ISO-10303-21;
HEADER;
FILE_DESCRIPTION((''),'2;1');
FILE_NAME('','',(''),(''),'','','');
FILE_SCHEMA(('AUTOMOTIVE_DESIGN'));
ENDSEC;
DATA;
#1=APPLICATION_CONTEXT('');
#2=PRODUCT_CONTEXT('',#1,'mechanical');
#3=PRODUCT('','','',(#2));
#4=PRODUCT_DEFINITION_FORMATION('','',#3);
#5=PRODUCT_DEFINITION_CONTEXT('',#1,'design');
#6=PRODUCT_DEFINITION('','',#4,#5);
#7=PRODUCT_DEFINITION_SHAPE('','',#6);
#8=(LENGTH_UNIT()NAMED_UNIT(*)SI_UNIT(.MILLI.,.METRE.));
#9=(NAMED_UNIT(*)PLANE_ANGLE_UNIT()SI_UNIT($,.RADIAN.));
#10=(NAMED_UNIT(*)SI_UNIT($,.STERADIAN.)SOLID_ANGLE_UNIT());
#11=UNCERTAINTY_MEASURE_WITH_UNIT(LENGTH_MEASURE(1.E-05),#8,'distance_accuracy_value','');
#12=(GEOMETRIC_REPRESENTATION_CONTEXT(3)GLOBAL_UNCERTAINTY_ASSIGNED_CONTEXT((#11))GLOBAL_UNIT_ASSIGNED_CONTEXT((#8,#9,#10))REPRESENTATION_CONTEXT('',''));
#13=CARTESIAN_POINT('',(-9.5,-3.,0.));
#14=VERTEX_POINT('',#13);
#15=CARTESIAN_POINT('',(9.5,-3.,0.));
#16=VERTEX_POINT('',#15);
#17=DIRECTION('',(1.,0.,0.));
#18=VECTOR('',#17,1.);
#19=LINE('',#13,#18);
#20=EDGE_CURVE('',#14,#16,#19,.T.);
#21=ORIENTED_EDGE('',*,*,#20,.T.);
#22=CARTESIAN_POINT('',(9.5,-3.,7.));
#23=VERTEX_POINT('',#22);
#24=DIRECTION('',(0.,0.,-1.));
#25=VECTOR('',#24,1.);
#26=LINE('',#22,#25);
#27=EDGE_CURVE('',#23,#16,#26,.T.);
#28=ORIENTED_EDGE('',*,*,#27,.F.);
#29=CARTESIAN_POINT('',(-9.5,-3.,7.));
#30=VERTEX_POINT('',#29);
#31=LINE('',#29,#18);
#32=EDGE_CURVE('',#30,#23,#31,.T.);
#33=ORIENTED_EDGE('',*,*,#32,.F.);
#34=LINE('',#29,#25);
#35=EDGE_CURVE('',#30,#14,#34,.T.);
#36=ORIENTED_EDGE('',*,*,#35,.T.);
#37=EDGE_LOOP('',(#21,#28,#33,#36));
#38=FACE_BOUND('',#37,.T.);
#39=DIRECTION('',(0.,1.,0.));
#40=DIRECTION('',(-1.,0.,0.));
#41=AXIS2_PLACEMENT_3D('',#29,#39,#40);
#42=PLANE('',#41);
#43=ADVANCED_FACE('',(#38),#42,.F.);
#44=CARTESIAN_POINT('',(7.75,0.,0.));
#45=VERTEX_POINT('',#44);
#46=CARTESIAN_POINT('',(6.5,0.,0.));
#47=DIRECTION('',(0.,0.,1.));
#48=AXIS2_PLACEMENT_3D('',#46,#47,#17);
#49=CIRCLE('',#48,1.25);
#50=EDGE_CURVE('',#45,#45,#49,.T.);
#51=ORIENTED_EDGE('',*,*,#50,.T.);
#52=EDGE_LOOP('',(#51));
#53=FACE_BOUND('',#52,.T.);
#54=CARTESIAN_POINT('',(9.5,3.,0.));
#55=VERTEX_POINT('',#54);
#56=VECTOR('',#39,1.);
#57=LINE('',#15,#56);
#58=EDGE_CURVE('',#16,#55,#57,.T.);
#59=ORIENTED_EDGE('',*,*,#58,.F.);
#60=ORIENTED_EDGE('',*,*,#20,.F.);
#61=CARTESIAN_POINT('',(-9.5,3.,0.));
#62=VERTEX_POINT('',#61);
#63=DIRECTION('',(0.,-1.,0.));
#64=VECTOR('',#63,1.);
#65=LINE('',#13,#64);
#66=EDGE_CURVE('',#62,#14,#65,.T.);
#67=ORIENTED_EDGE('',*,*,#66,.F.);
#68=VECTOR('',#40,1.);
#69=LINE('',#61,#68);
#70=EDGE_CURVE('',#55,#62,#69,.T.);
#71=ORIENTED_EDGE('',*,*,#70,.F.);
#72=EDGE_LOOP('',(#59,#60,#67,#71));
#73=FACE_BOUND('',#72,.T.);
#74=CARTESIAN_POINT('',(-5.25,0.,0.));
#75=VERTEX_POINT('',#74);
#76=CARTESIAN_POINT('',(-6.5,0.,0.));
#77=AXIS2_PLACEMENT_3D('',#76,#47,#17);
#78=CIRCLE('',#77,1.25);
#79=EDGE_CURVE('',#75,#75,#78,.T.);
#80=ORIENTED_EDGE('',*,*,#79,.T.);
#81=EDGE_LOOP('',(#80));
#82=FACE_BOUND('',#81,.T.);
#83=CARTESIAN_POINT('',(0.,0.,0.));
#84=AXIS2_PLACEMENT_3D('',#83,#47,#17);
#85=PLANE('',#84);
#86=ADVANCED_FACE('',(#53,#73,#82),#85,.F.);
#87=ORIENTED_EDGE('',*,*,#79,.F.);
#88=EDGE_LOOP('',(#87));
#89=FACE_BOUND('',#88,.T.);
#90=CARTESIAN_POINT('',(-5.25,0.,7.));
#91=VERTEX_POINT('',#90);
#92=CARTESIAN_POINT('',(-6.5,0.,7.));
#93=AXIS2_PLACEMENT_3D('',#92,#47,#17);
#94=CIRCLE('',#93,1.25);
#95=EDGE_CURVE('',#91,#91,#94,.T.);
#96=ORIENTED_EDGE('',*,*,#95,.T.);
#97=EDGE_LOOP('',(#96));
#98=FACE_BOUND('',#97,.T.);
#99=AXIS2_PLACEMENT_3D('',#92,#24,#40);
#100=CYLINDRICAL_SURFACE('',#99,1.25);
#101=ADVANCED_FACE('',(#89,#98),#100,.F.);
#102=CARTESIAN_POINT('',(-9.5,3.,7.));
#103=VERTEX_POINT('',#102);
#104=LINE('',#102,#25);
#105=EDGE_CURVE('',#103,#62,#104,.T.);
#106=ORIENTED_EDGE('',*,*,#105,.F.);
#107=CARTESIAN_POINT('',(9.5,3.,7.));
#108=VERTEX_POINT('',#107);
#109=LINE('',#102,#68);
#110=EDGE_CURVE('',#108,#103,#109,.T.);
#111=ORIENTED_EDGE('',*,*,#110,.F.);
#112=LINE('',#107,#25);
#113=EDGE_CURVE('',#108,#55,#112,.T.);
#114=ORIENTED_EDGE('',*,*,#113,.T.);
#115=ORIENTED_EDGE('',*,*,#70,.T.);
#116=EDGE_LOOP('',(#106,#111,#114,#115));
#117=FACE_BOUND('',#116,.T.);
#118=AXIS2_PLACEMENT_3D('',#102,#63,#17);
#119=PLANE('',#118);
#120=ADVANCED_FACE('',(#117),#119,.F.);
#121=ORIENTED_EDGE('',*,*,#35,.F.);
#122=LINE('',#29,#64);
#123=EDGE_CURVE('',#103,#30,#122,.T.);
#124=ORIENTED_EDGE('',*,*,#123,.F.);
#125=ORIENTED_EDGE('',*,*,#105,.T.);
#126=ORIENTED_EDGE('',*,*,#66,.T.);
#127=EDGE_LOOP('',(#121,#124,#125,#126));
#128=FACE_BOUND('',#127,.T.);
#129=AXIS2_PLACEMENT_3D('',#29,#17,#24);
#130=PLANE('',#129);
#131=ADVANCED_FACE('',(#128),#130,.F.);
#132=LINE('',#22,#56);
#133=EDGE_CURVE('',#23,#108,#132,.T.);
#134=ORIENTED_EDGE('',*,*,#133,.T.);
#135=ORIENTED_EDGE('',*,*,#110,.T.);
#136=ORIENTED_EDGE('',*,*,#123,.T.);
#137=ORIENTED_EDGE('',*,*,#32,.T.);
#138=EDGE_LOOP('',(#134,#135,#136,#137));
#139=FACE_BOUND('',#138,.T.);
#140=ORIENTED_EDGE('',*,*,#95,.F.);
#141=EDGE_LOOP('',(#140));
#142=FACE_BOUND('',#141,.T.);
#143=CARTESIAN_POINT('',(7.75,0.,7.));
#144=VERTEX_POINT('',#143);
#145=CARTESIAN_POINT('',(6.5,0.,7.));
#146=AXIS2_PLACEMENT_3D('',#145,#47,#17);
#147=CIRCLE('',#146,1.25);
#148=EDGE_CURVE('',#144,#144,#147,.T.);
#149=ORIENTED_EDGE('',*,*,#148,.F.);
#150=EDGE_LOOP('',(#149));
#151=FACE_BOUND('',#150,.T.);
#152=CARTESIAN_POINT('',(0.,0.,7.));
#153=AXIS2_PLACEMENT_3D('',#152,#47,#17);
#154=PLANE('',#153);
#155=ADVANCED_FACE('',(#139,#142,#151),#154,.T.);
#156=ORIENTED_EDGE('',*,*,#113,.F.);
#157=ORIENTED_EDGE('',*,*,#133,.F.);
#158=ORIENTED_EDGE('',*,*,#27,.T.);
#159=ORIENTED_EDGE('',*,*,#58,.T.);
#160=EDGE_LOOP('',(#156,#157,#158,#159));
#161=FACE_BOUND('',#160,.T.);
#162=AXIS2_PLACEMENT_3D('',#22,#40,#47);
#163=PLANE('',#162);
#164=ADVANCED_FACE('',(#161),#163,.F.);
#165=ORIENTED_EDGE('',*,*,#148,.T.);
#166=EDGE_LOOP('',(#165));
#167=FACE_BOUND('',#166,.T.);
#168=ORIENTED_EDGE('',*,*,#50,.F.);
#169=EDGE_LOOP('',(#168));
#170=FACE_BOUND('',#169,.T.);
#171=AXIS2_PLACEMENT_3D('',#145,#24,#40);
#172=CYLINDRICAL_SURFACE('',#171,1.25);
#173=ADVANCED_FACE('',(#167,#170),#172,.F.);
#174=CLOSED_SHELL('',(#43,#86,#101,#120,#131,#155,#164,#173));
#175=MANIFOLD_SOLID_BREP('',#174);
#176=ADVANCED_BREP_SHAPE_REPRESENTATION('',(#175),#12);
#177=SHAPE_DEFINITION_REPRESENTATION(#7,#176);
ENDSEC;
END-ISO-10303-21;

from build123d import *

# Parameters (mm, degrees)
SKETCH1_W           = 6
SKETCH1_H           = 19
SKETCH1_R           = 1.25
BOSS_EXTRUDE1_DEPTH = 7


with BuildPart() as part:
    # Sketch1 → Boss-Extrude1 (new body)
    with BuildSketch(Plane(origin=(0, 0, 0), x_dir=(0, 1, 0), z_dir=(0, 0, 1))):
        Rectangle(SKETCH1_W, SKETCH1_H)
        with Locations(Location((0, 6.5, 0), (0, 0, 270))):
            Circle(SKETCH1_R, mode=Mode.SUBTRACT)
        with Locations(Location((0, -6.5, 0), (0, 0, 270))):
            Circle(SKETCH1_R, mode=Mode.SUBTRACT)
    extrude(amount=BOSS_EXTRUDE1_DEPTH)


solid = part.part
